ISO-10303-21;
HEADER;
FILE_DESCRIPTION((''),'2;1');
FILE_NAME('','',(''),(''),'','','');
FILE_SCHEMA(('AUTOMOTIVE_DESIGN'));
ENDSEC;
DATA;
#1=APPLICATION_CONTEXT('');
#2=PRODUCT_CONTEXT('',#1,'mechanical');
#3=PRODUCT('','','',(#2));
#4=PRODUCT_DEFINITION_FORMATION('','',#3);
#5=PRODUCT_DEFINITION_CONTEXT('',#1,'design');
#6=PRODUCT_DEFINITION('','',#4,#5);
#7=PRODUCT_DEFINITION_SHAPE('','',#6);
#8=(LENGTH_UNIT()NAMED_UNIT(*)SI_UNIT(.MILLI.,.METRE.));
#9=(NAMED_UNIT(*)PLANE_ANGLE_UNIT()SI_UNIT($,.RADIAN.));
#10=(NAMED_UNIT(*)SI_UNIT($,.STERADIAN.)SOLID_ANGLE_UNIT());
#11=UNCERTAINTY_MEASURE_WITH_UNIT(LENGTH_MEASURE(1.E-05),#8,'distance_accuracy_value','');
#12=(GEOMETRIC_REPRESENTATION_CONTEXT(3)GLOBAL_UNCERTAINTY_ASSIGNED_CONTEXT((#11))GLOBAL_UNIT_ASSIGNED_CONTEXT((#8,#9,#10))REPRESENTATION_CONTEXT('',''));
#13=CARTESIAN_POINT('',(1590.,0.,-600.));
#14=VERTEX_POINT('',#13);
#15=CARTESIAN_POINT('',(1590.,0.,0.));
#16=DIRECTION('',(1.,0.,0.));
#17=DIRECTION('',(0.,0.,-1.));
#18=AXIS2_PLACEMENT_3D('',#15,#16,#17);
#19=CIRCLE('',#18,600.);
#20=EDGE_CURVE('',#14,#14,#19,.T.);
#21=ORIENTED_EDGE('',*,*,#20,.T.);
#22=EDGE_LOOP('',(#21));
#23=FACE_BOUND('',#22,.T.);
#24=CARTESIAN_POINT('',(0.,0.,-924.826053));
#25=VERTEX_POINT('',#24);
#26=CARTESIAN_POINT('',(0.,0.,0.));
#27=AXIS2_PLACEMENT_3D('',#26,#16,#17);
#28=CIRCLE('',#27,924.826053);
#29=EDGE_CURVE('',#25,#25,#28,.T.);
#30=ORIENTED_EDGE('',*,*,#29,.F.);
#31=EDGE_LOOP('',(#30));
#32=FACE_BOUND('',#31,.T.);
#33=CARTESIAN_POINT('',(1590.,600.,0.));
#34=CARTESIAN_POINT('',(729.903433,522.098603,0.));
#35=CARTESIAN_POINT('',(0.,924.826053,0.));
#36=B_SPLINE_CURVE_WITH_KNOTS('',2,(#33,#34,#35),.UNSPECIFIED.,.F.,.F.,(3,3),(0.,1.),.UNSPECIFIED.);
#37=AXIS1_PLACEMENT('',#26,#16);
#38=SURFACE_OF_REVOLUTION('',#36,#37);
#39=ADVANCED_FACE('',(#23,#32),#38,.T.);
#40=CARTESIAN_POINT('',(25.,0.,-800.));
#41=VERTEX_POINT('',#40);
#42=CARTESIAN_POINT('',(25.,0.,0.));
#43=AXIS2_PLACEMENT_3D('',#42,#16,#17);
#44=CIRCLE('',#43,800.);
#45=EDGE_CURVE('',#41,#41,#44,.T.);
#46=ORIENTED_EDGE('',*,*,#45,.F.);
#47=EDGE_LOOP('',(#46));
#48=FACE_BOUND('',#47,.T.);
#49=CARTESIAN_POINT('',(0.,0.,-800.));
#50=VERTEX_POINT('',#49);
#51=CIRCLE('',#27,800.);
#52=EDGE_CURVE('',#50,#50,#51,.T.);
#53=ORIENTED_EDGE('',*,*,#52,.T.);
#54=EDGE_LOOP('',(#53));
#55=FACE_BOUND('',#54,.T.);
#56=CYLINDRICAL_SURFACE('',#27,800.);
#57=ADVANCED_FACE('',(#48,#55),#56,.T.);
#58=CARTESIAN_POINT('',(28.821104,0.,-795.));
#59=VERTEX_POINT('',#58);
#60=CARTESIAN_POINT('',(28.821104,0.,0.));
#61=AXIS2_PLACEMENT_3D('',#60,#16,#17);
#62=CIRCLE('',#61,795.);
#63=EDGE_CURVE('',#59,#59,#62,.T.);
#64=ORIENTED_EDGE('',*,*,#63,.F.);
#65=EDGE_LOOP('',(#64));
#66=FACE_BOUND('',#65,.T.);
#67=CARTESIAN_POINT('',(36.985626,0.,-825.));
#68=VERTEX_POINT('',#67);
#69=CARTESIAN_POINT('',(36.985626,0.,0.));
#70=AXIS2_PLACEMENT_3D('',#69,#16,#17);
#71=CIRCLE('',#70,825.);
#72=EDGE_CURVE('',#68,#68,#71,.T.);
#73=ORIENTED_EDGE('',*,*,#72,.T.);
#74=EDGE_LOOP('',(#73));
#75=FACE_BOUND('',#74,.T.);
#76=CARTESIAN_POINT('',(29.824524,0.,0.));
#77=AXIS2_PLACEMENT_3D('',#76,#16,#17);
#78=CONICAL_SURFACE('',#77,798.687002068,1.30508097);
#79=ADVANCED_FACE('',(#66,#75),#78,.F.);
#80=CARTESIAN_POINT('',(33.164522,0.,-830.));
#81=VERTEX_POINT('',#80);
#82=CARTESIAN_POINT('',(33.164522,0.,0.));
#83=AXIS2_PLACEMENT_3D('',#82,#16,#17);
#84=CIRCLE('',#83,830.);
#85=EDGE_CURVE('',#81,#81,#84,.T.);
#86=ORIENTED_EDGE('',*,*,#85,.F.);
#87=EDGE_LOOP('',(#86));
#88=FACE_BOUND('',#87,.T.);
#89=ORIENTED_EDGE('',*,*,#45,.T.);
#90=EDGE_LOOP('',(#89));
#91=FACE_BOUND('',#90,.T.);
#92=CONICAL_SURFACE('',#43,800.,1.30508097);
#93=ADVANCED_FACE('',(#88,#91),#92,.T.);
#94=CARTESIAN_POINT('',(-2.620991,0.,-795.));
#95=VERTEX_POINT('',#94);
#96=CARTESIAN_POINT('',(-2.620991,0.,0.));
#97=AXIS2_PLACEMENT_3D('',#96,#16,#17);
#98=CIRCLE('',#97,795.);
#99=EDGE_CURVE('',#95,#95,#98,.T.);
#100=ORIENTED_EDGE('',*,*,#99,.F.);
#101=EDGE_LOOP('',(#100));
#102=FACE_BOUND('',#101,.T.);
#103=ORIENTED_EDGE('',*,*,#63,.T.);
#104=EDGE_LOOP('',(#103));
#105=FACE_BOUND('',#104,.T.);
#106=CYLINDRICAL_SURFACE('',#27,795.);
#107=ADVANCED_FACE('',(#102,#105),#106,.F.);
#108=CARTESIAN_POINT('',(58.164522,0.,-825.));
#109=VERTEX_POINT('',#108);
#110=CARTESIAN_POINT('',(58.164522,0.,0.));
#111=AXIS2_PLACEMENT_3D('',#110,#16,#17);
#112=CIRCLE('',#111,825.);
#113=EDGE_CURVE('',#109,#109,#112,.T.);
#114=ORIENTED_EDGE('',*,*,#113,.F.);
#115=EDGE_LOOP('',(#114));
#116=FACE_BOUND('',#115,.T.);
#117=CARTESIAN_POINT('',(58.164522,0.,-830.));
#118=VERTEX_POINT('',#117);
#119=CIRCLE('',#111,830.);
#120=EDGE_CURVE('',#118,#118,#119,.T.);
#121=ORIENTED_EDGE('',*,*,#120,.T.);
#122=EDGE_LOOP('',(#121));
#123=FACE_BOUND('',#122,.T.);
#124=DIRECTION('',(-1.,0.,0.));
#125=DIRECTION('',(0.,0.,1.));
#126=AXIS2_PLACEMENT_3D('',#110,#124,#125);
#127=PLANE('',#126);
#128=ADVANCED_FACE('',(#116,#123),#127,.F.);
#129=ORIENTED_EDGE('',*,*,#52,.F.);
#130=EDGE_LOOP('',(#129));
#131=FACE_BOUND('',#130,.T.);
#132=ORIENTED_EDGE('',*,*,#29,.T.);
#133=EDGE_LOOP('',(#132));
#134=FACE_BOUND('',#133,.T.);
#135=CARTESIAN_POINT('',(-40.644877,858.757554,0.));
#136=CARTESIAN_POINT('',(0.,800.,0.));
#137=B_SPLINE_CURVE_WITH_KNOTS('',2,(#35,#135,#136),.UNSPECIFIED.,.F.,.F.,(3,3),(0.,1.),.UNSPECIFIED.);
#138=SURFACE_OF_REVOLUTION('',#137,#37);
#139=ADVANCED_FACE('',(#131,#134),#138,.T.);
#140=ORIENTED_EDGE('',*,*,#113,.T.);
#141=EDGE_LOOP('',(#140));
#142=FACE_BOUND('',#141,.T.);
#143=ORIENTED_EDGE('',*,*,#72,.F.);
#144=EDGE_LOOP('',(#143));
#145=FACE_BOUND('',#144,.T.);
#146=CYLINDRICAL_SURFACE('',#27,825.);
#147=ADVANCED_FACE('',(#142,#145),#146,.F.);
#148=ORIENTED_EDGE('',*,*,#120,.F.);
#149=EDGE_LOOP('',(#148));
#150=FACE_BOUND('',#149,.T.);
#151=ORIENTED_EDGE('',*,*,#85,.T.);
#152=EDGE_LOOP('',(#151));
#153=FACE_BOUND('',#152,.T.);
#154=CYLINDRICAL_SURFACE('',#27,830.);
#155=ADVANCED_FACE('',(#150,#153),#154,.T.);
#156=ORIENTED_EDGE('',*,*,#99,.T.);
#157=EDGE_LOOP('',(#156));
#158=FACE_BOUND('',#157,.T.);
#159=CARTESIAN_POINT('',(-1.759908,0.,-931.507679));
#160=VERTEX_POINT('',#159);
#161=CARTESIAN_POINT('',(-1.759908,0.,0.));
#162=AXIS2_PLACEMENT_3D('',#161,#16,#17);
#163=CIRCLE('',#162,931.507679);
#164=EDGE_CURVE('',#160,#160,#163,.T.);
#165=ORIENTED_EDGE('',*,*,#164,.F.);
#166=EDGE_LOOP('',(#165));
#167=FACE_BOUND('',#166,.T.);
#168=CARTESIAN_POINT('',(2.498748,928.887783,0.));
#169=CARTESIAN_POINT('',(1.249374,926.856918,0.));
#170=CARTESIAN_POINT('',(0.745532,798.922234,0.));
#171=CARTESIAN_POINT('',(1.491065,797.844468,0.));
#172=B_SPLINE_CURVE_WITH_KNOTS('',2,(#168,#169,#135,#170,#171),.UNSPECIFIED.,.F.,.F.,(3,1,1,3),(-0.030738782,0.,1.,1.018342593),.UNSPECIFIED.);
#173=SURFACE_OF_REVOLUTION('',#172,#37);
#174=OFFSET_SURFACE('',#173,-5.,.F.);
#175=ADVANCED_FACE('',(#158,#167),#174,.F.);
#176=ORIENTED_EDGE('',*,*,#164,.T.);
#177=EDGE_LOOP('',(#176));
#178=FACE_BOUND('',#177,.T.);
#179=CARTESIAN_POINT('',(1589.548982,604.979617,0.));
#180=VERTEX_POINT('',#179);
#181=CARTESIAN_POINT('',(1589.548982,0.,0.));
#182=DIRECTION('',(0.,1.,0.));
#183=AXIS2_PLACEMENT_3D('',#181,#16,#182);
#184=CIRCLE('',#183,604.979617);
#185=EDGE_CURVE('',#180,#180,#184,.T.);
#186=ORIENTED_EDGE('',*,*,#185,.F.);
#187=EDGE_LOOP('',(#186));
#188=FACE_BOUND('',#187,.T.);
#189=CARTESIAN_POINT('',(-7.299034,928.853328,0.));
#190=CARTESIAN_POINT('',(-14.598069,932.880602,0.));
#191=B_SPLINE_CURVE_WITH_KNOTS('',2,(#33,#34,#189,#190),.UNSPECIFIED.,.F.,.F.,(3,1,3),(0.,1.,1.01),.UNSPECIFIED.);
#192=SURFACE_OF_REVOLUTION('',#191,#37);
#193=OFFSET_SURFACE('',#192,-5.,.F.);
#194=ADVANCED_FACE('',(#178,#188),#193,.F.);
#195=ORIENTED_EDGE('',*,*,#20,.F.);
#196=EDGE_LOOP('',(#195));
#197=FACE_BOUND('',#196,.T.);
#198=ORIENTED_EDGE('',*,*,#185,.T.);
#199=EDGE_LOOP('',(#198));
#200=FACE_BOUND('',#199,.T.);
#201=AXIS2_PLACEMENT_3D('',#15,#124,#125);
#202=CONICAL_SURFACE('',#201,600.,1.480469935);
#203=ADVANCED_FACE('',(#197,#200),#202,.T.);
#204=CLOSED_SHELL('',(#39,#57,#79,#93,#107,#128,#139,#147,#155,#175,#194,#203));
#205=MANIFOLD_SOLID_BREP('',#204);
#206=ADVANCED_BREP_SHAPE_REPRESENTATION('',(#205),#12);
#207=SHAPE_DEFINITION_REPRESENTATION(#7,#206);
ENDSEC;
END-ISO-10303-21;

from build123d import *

# Parameters (mm, degrees)
THICKEN1_T1 = 5


with BuildPart() as body_1:
    # Surface-Revolve1: a surface, the sketch's curves turned about an axis
    with BuildLine(Plane.XY, mode=Mode.PRIVATE) as surface_revolve1_1_path:
        Line((58.164522356, 830), (33.164522356, 830))
        Line((33.164522356, 830), (25, 800))
        Line((25, 800), (0, 800))
        add(Edge.make_bspline(
            [(0, 800), (-40.64487716, 858.757553751), (0, 924.826053007)],
            knots=[0, 0, 0, 1, 1, 1], degree=2))
        add(Edge.make_bspline(
            [(0, 924.826053007), (729.903432622, 522.098602783), (1590, 600)],
            knots=[0, 0, 0, 1, 1, 1], degree=2))
    surface_revolve1_1 = Shell.revolve(surface_revolve1_1_path.wire(), 360, Axis((0, 0, 0), (1, 0, 0)))
    add(Solid.thicken(surface_revolve1_1, THICKEN1_T1))


solid = body_1.part
